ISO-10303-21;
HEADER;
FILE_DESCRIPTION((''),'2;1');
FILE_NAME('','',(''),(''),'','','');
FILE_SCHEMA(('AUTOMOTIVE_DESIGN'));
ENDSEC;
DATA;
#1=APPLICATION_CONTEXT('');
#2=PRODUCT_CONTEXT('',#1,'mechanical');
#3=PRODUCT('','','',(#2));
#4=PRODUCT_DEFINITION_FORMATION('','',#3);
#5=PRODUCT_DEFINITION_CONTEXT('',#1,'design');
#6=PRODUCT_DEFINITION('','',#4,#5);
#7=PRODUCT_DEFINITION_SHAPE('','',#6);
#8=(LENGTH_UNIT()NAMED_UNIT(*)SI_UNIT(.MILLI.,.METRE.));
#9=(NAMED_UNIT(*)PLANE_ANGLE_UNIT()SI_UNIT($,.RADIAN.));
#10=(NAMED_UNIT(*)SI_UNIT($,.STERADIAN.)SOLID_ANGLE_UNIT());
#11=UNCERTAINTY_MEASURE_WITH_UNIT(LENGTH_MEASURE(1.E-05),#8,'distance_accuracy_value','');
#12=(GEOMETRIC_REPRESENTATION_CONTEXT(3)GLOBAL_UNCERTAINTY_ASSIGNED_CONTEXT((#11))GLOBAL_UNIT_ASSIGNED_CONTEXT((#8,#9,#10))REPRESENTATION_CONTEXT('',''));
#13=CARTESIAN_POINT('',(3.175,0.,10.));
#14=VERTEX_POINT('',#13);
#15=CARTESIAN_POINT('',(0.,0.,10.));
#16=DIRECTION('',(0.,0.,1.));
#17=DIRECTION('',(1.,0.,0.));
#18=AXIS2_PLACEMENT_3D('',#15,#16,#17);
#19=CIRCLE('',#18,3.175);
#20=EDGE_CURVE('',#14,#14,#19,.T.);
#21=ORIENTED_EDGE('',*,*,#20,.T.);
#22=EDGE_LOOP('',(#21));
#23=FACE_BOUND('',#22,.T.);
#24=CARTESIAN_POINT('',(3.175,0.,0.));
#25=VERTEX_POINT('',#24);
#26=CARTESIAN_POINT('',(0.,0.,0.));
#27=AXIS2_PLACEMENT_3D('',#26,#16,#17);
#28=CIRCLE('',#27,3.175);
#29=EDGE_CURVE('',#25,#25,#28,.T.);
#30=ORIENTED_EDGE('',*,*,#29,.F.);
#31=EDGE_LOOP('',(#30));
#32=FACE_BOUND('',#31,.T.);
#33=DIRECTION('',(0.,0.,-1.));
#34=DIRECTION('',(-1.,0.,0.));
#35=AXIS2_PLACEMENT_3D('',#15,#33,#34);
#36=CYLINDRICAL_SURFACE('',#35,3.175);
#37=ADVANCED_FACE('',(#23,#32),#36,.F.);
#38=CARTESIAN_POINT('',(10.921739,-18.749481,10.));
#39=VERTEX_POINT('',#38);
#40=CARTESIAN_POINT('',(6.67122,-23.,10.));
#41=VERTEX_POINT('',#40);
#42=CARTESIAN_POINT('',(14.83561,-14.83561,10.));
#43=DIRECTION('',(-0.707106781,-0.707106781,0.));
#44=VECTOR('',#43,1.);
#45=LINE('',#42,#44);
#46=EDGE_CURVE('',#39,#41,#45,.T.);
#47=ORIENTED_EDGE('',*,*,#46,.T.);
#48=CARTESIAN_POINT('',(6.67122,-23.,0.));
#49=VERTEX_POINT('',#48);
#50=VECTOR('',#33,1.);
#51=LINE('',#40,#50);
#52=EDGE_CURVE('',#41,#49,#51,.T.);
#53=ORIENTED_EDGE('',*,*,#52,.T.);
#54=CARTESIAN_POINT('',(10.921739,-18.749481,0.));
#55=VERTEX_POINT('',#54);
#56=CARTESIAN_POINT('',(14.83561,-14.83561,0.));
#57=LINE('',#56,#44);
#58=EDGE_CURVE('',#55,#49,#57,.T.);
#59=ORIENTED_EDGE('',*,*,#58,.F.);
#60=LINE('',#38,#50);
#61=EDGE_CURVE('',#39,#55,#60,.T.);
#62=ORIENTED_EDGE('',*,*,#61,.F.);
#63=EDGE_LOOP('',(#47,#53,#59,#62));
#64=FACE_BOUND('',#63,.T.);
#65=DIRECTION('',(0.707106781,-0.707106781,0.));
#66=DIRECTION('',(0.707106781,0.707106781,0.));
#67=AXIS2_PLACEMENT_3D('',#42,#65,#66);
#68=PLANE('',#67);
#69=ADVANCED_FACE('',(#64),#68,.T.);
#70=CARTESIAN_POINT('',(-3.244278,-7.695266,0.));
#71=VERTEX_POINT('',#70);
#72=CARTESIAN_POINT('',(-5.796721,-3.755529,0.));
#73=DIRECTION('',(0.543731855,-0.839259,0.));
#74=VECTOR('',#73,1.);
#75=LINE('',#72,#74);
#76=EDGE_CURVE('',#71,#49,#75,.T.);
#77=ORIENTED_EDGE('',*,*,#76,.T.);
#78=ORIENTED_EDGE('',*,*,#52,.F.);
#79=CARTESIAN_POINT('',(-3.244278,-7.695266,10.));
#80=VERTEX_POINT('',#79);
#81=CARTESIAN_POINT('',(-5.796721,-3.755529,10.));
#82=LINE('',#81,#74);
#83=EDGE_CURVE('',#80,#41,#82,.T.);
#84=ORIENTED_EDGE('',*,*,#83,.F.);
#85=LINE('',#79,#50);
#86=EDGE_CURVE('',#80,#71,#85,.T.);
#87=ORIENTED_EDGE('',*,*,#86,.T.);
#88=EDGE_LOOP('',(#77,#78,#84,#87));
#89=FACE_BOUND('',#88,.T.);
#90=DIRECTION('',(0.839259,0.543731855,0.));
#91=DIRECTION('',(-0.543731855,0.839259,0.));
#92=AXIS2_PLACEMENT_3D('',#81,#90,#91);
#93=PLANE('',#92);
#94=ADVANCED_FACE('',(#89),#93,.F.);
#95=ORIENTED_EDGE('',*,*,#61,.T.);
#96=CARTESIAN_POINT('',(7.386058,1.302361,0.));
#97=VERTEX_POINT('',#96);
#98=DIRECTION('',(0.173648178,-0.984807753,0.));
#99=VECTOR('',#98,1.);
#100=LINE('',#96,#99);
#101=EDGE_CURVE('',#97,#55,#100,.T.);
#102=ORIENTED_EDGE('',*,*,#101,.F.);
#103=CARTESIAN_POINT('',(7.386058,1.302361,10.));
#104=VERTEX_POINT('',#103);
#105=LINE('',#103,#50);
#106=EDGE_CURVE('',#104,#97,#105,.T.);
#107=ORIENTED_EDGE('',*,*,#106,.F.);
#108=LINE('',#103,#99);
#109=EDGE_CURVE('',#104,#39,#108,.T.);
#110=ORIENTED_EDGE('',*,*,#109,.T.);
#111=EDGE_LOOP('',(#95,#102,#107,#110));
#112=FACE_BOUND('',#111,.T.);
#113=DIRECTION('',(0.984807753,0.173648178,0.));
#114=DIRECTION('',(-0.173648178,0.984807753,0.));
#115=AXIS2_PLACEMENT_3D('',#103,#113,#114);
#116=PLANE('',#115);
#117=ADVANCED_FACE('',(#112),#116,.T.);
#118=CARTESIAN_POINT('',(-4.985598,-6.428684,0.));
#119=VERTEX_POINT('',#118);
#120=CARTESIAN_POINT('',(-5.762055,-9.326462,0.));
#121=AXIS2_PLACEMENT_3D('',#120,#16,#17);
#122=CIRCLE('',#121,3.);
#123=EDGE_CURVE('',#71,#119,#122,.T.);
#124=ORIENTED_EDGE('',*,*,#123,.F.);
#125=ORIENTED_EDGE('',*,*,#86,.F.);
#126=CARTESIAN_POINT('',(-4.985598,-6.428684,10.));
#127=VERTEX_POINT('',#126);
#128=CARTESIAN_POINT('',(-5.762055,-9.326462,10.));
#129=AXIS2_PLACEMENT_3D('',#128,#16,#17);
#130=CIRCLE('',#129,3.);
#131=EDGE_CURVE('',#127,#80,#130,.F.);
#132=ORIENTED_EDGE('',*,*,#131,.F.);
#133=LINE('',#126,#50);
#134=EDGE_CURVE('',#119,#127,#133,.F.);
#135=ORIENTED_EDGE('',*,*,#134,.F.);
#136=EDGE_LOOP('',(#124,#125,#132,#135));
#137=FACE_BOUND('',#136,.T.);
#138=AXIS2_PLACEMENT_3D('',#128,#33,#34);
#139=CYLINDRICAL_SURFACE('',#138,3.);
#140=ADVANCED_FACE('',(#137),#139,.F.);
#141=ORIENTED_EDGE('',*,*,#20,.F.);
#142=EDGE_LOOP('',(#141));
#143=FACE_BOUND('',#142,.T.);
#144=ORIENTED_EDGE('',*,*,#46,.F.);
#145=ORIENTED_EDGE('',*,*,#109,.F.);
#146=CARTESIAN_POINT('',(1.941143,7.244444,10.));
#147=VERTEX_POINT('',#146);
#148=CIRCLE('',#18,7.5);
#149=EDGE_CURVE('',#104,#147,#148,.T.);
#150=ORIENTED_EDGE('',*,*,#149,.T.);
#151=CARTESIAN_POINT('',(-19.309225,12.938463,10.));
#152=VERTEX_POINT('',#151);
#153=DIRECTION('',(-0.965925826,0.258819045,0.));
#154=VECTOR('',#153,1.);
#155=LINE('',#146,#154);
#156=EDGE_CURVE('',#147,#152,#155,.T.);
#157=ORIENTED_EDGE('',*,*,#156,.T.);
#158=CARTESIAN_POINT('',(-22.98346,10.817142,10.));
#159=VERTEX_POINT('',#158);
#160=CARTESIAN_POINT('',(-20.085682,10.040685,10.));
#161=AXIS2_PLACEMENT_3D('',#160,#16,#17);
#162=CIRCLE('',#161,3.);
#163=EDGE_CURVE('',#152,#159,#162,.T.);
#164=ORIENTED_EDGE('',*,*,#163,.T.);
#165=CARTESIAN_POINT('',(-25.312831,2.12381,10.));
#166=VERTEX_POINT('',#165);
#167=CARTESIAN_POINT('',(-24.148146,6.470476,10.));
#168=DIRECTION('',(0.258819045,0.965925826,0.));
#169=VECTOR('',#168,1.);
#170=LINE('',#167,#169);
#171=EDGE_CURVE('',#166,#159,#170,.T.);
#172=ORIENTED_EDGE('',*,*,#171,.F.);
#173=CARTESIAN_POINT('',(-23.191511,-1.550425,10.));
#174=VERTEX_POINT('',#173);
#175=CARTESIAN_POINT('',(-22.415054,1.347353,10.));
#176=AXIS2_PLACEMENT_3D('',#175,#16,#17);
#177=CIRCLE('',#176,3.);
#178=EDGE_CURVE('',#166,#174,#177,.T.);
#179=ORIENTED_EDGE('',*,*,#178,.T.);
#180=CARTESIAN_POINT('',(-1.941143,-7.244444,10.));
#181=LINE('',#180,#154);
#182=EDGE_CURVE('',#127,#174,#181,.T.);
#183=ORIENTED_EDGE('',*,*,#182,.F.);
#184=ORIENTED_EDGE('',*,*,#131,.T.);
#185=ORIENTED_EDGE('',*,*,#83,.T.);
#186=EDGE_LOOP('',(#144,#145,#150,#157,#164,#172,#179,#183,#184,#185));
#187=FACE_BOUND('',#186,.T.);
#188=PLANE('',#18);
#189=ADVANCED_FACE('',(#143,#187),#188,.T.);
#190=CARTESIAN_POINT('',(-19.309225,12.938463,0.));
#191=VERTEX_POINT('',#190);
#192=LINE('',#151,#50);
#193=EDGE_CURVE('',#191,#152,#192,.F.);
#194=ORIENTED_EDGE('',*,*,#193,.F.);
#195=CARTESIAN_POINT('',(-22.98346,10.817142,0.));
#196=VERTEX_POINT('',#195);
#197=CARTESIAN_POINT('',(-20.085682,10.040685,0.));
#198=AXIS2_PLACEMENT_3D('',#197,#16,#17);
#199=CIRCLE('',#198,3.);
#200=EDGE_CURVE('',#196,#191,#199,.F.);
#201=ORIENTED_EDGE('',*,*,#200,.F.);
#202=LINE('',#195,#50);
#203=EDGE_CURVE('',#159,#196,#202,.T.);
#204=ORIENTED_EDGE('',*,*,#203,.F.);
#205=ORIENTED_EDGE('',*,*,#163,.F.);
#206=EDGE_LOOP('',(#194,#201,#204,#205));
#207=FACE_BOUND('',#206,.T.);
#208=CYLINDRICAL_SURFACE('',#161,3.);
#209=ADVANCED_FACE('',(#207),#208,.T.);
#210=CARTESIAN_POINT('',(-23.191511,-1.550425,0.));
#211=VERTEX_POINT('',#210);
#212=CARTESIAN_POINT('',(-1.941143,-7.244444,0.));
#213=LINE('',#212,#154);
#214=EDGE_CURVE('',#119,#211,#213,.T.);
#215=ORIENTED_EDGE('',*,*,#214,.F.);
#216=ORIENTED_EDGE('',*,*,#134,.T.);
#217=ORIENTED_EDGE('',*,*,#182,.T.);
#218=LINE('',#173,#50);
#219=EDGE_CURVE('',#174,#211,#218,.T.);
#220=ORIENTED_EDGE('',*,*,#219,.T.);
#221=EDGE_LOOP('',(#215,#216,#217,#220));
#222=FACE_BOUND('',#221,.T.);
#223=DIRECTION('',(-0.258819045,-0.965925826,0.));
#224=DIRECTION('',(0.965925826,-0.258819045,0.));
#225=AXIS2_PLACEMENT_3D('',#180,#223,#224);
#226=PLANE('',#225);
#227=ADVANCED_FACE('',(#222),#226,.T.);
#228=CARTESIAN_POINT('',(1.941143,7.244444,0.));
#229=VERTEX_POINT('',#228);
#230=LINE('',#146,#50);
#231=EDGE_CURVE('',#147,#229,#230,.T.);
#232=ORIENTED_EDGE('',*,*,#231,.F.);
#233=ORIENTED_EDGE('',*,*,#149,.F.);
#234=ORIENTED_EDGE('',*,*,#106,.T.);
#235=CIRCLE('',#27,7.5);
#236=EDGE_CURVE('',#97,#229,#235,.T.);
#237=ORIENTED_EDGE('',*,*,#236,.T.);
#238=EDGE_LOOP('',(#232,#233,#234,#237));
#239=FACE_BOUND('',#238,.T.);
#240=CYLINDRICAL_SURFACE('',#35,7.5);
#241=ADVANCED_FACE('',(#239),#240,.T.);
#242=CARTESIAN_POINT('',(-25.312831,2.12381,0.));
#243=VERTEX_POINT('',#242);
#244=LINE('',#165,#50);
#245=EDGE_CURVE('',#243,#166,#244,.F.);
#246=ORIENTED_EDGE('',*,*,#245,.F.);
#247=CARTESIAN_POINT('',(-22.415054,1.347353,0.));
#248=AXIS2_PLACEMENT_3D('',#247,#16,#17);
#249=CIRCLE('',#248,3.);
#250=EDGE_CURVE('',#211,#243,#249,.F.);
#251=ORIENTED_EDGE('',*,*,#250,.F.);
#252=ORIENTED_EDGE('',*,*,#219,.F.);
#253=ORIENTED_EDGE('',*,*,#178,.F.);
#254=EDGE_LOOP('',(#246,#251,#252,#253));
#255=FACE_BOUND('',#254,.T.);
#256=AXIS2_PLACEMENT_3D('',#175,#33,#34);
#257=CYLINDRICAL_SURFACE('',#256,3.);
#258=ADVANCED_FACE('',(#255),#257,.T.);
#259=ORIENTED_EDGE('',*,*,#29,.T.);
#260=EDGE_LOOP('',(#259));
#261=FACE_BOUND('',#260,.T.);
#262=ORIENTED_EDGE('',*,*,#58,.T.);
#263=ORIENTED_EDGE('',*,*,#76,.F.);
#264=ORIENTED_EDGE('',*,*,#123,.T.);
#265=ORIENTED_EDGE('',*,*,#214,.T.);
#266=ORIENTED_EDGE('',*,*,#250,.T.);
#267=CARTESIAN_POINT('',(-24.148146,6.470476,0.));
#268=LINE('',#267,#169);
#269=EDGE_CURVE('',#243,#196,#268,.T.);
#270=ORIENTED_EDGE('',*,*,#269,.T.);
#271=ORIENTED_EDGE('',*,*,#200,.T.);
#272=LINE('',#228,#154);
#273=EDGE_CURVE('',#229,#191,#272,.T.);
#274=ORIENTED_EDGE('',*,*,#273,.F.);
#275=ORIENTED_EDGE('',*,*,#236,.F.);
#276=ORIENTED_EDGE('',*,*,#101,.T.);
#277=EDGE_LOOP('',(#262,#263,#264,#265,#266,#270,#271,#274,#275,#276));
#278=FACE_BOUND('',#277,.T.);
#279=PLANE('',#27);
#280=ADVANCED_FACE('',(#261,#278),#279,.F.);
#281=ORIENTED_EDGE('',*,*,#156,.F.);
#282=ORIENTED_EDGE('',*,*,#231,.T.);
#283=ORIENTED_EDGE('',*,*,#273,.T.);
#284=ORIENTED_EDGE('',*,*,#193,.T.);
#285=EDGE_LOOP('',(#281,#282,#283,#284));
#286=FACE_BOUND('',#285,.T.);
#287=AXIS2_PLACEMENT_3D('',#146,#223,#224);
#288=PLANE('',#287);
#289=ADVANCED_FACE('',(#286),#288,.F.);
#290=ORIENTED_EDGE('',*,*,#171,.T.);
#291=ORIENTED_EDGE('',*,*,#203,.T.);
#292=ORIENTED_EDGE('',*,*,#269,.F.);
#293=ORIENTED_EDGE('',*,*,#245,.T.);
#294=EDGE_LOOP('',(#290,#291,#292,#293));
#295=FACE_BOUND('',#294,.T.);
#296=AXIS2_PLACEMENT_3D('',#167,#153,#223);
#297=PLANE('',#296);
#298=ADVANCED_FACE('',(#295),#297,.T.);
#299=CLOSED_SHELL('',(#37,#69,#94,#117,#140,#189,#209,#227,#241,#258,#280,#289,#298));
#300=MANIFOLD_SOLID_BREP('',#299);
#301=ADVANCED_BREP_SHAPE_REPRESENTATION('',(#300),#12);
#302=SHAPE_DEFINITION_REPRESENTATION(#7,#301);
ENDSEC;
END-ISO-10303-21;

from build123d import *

# Parameters (mm, degrees)
SKETCH1_R           = 3.175
BOSS_EXTRUDE1_DEPTH = 10
FILLET1_R           = 3


with BuildPart() as part:
    # Sketch1 → Boss-Extrude1 (new body)
    with BuildSketch(Plane.XY):
        with BuildLine():
            Line((1.941142838, 7.244443697), (-22.207002819, 13.714919825))
            Line((-22.207002819, 13.714919825), (-26.089288495, -0.77396757))
            Line((-26.089288495, -0.77396757), (-3.871447622, -6.727220089))
            Line((-3.871447622, -6.727220089), (6.671220145, -23))
            Line((6.671220145, -23), (10.921738991, -18.749481154))
            Line((10.921738991, -18.749481154), (7.386058148, 1.302361333))
            ThreePointArc((7.386058148, 1.302361333), (5.529580026, 5.066926557), (1.941142838, 7.244443697))
        make_face()
        Circle(SKETCH1_R, mode=Mode.SUBTRACT)
    extrude(amount=BOSS_EXTRUDE1_DEPTH)

    # Fillet1
    fillet1_edges = [part.edges().sort_by_distance(p)[0] for p in [
        (-3.871447622, -6.727220089, 5),
        (-26.089288495, -0.77396757, 5),
        (-22.207002819, 13.714919825, 5),
    ]]
    fillet(fillet1_edges, radius=FILLET1_R)


solid = part.part
